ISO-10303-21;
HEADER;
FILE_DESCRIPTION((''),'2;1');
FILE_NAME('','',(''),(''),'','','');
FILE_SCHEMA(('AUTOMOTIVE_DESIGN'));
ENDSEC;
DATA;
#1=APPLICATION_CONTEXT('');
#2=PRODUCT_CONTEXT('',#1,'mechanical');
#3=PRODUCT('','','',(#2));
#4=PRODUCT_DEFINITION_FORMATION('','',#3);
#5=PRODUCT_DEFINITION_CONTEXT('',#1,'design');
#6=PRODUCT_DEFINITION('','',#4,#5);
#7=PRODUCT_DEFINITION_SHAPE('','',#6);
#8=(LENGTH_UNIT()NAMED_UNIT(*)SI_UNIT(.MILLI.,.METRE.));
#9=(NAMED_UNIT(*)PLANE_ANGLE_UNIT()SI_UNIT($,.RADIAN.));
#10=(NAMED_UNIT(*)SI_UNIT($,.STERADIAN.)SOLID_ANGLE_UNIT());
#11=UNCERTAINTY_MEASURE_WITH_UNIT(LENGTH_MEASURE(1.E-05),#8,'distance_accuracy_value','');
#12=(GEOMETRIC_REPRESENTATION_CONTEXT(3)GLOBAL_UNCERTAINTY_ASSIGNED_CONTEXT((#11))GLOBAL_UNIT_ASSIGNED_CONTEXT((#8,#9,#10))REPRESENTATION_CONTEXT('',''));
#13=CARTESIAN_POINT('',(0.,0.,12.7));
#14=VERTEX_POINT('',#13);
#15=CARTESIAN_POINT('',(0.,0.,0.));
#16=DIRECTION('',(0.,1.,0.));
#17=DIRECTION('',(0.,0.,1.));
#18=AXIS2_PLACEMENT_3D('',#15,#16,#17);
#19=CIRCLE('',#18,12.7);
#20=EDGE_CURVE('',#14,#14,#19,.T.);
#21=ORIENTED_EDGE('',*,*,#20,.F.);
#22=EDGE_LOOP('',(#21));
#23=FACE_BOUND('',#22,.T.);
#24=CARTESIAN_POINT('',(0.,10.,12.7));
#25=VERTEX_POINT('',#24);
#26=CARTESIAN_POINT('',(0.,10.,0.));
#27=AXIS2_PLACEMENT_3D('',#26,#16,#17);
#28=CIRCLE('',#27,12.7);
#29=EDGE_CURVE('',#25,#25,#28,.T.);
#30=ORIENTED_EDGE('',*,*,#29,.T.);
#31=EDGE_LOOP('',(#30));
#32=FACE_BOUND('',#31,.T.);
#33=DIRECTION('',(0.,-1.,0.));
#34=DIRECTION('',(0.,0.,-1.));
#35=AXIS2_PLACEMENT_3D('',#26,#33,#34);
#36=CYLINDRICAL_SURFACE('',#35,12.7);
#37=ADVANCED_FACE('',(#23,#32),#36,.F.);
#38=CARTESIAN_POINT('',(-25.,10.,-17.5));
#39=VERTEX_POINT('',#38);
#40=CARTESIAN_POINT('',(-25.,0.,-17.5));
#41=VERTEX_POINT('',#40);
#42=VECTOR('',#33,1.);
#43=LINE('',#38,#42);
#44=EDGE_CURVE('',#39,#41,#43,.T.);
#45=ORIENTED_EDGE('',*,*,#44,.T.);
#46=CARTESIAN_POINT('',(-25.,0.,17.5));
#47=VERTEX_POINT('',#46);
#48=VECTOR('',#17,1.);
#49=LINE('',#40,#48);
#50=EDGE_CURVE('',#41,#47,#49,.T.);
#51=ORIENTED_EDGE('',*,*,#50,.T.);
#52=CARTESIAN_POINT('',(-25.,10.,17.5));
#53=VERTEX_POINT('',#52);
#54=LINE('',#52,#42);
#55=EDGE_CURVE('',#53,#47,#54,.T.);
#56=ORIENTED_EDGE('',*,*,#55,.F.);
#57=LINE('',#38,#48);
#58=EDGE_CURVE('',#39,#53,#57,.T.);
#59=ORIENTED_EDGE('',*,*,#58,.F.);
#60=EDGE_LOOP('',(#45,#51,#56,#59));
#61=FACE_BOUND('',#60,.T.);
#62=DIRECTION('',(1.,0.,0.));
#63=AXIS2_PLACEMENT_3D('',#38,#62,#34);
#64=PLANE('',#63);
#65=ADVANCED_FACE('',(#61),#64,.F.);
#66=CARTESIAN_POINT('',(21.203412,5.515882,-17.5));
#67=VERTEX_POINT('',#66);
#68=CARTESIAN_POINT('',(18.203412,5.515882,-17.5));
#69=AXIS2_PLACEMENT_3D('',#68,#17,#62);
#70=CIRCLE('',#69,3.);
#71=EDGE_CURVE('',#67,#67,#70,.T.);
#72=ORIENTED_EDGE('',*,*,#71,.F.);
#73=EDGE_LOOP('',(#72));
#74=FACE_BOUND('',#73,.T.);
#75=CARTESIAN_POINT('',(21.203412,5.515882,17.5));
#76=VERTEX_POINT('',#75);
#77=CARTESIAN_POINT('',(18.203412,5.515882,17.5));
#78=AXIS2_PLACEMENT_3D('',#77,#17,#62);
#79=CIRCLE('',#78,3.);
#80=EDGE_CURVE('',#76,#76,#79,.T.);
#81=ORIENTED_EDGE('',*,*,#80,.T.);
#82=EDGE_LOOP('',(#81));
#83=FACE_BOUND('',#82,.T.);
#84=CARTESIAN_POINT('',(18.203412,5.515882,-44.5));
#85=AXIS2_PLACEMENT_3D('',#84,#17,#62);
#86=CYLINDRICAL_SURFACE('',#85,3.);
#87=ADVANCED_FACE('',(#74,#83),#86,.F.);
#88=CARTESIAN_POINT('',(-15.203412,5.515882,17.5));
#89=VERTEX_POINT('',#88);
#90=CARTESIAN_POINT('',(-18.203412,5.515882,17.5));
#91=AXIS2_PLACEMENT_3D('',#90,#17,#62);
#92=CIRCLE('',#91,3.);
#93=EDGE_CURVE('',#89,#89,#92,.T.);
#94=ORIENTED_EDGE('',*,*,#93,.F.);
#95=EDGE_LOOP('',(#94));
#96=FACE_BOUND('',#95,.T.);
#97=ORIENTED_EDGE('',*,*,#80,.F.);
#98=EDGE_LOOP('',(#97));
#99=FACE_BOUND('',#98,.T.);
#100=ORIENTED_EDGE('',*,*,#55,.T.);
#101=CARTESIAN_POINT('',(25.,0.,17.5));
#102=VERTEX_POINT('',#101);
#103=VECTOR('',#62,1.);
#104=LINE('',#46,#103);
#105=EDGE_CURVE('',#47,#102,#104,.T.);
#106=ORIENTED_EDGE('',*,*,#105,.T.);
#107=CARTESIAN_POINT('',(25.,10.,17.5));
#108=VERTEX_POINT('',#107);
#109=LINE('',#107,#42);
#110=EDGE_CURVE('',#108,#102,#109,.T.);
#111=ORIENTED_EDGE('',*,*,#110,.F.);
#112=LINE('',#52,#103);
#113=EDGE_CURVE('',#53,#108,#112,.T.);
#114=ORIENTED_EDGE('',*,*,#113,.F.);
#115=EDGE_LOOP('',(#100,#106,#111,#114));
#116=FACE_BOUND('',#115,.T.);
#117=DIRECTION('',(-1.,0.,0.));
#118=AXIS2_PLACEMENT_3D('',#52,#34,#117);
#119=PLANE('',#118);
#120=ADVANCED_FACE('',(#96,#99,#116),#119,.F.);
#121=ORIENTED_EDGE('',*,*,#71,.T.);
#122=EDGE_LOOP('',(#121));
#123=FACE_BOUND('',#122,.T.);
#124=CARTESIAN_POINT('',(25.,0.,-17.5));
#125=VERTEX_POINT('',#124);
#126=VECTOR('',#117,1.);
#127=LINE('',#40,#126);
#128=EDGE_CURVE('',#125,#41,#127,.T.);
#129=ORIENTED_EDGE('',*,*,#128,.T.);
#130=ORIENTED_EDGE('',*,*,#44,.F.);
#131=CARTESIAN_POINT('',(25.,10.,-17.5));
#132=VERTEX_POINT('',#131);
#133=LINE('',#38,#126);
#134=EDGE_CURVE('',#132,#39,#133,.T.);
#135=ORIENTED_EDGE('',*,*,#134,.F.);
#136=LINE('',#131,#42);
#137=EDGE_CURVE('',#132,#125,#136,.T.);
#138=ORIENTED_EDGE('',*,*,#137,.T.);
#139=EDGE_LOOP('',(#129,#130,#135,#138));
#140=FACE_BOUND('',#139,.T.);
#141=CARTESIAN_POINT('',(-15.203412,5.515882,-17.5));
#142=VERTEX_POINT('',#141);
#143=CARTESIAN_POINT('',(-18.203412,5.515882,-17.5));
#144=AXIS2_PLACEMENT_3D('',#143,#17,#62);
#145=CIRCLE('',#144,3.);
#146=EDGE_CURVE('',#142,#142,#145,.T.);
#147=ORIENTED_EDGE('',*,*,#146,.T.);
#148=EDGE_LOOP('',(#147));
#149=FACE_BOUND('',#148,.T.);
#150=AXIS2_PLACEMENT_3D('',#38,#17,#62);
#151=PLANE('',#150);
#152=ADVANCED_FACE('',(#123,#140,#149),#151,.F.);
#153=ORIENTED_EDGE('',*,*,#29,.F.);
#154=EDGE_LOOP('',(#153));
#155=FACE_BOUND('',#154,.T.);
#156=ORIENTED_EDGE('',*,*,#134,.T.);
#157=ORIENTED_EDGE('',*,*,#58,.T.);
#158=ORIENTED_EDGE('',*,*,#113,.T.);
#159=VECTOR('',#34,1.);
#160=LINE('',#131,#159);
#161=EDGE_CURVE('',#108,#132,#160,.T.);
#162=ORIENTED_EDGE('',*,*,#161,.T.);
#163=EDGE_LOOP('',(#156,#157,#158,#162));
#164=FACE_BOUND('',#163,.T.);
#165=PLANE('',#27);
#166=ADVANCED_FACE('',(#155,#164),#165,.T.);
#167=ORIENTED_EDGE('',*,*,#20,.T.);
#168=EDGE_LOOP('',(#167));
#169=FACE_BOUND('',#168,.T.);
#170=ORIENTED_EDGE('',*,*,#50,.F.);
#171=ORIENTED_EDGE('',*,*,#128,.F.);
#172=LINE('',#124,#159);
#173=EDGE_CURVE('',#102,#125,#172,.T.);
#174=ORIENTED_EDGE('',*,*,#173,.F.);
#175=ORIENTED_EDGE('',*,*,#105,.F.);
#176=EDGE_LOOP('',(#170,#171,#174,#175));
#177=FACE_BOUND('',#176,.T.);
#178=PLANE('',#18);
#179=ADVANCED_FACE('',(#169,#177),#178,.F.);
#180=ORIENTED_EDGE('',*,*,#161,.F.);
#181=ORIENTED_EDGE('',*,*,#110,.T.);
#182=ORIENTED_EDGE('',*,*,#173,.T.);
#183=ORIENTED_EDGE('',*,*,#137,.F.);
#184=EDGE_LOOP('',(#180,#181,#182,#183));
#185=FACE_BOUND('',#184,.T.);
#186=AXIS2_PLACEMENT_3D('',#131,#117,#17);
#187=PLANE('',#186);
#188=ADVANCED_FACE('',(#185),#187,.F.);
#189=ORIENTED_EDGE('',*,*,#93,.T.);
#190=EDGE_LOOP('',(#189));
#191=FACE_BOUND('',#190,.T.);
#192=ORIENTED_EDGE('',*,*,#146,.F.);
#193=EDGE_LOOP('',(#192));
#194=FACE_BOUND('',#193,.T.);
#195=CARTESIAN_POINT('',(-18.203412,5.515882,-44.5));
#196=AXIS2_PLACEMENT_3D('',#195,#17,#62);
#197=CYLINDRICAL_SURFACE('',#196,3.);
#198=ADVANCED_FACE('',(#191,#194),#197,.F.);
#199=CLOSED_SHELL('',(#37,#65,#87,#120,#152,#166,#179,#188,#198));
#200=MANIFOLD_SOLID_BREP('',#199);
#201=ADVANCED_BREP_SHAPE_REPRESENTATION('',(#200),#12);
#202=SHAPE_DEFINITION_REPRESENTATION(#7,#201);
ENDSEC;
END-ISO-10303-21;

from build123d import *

# Parameters (mm, degrees)
SKETCH1_W           = 50
SKETCH1_H           = 35
SKETCH1_R           = 12.7
BOSS_EXTRUDE1_DEPTH = 10
SKETCH2_R           = 3
CUT_EXTRUDE1_DEPTH  = 62


with BuildPart() as part:
    # Sketch1 → Boss-Extrude1 (new body)
    with BuildSketch(Plane(origin=(0, 0, 0), x_dir=(1, 0, 0), z_dir=(0, 1, 0))):
        Rectangle(SKETCH1_W, SKETCH1_H)
        Circle(SKETCH1_R, mode=Mode.SUBTRACT)
    extrude(amount=BOSS_EXTRUDE1_DEPTH)

    # Sketch2 → Cut-Extrude1 (cut)
    with BuildSketch(Plane.XY.offset(17.5)):
        with Locations((-18.20341196, 5.515881638)):
            Circle(SKETCH2_R)
        with Locations((18.20341196, 5.515881638)):
            Circle(SKETCH2_R)
    extrude(amount=-CUT_EXTRUDE1_DEPTH, mode=Mode.SUBTRACT)


solid = part.part
